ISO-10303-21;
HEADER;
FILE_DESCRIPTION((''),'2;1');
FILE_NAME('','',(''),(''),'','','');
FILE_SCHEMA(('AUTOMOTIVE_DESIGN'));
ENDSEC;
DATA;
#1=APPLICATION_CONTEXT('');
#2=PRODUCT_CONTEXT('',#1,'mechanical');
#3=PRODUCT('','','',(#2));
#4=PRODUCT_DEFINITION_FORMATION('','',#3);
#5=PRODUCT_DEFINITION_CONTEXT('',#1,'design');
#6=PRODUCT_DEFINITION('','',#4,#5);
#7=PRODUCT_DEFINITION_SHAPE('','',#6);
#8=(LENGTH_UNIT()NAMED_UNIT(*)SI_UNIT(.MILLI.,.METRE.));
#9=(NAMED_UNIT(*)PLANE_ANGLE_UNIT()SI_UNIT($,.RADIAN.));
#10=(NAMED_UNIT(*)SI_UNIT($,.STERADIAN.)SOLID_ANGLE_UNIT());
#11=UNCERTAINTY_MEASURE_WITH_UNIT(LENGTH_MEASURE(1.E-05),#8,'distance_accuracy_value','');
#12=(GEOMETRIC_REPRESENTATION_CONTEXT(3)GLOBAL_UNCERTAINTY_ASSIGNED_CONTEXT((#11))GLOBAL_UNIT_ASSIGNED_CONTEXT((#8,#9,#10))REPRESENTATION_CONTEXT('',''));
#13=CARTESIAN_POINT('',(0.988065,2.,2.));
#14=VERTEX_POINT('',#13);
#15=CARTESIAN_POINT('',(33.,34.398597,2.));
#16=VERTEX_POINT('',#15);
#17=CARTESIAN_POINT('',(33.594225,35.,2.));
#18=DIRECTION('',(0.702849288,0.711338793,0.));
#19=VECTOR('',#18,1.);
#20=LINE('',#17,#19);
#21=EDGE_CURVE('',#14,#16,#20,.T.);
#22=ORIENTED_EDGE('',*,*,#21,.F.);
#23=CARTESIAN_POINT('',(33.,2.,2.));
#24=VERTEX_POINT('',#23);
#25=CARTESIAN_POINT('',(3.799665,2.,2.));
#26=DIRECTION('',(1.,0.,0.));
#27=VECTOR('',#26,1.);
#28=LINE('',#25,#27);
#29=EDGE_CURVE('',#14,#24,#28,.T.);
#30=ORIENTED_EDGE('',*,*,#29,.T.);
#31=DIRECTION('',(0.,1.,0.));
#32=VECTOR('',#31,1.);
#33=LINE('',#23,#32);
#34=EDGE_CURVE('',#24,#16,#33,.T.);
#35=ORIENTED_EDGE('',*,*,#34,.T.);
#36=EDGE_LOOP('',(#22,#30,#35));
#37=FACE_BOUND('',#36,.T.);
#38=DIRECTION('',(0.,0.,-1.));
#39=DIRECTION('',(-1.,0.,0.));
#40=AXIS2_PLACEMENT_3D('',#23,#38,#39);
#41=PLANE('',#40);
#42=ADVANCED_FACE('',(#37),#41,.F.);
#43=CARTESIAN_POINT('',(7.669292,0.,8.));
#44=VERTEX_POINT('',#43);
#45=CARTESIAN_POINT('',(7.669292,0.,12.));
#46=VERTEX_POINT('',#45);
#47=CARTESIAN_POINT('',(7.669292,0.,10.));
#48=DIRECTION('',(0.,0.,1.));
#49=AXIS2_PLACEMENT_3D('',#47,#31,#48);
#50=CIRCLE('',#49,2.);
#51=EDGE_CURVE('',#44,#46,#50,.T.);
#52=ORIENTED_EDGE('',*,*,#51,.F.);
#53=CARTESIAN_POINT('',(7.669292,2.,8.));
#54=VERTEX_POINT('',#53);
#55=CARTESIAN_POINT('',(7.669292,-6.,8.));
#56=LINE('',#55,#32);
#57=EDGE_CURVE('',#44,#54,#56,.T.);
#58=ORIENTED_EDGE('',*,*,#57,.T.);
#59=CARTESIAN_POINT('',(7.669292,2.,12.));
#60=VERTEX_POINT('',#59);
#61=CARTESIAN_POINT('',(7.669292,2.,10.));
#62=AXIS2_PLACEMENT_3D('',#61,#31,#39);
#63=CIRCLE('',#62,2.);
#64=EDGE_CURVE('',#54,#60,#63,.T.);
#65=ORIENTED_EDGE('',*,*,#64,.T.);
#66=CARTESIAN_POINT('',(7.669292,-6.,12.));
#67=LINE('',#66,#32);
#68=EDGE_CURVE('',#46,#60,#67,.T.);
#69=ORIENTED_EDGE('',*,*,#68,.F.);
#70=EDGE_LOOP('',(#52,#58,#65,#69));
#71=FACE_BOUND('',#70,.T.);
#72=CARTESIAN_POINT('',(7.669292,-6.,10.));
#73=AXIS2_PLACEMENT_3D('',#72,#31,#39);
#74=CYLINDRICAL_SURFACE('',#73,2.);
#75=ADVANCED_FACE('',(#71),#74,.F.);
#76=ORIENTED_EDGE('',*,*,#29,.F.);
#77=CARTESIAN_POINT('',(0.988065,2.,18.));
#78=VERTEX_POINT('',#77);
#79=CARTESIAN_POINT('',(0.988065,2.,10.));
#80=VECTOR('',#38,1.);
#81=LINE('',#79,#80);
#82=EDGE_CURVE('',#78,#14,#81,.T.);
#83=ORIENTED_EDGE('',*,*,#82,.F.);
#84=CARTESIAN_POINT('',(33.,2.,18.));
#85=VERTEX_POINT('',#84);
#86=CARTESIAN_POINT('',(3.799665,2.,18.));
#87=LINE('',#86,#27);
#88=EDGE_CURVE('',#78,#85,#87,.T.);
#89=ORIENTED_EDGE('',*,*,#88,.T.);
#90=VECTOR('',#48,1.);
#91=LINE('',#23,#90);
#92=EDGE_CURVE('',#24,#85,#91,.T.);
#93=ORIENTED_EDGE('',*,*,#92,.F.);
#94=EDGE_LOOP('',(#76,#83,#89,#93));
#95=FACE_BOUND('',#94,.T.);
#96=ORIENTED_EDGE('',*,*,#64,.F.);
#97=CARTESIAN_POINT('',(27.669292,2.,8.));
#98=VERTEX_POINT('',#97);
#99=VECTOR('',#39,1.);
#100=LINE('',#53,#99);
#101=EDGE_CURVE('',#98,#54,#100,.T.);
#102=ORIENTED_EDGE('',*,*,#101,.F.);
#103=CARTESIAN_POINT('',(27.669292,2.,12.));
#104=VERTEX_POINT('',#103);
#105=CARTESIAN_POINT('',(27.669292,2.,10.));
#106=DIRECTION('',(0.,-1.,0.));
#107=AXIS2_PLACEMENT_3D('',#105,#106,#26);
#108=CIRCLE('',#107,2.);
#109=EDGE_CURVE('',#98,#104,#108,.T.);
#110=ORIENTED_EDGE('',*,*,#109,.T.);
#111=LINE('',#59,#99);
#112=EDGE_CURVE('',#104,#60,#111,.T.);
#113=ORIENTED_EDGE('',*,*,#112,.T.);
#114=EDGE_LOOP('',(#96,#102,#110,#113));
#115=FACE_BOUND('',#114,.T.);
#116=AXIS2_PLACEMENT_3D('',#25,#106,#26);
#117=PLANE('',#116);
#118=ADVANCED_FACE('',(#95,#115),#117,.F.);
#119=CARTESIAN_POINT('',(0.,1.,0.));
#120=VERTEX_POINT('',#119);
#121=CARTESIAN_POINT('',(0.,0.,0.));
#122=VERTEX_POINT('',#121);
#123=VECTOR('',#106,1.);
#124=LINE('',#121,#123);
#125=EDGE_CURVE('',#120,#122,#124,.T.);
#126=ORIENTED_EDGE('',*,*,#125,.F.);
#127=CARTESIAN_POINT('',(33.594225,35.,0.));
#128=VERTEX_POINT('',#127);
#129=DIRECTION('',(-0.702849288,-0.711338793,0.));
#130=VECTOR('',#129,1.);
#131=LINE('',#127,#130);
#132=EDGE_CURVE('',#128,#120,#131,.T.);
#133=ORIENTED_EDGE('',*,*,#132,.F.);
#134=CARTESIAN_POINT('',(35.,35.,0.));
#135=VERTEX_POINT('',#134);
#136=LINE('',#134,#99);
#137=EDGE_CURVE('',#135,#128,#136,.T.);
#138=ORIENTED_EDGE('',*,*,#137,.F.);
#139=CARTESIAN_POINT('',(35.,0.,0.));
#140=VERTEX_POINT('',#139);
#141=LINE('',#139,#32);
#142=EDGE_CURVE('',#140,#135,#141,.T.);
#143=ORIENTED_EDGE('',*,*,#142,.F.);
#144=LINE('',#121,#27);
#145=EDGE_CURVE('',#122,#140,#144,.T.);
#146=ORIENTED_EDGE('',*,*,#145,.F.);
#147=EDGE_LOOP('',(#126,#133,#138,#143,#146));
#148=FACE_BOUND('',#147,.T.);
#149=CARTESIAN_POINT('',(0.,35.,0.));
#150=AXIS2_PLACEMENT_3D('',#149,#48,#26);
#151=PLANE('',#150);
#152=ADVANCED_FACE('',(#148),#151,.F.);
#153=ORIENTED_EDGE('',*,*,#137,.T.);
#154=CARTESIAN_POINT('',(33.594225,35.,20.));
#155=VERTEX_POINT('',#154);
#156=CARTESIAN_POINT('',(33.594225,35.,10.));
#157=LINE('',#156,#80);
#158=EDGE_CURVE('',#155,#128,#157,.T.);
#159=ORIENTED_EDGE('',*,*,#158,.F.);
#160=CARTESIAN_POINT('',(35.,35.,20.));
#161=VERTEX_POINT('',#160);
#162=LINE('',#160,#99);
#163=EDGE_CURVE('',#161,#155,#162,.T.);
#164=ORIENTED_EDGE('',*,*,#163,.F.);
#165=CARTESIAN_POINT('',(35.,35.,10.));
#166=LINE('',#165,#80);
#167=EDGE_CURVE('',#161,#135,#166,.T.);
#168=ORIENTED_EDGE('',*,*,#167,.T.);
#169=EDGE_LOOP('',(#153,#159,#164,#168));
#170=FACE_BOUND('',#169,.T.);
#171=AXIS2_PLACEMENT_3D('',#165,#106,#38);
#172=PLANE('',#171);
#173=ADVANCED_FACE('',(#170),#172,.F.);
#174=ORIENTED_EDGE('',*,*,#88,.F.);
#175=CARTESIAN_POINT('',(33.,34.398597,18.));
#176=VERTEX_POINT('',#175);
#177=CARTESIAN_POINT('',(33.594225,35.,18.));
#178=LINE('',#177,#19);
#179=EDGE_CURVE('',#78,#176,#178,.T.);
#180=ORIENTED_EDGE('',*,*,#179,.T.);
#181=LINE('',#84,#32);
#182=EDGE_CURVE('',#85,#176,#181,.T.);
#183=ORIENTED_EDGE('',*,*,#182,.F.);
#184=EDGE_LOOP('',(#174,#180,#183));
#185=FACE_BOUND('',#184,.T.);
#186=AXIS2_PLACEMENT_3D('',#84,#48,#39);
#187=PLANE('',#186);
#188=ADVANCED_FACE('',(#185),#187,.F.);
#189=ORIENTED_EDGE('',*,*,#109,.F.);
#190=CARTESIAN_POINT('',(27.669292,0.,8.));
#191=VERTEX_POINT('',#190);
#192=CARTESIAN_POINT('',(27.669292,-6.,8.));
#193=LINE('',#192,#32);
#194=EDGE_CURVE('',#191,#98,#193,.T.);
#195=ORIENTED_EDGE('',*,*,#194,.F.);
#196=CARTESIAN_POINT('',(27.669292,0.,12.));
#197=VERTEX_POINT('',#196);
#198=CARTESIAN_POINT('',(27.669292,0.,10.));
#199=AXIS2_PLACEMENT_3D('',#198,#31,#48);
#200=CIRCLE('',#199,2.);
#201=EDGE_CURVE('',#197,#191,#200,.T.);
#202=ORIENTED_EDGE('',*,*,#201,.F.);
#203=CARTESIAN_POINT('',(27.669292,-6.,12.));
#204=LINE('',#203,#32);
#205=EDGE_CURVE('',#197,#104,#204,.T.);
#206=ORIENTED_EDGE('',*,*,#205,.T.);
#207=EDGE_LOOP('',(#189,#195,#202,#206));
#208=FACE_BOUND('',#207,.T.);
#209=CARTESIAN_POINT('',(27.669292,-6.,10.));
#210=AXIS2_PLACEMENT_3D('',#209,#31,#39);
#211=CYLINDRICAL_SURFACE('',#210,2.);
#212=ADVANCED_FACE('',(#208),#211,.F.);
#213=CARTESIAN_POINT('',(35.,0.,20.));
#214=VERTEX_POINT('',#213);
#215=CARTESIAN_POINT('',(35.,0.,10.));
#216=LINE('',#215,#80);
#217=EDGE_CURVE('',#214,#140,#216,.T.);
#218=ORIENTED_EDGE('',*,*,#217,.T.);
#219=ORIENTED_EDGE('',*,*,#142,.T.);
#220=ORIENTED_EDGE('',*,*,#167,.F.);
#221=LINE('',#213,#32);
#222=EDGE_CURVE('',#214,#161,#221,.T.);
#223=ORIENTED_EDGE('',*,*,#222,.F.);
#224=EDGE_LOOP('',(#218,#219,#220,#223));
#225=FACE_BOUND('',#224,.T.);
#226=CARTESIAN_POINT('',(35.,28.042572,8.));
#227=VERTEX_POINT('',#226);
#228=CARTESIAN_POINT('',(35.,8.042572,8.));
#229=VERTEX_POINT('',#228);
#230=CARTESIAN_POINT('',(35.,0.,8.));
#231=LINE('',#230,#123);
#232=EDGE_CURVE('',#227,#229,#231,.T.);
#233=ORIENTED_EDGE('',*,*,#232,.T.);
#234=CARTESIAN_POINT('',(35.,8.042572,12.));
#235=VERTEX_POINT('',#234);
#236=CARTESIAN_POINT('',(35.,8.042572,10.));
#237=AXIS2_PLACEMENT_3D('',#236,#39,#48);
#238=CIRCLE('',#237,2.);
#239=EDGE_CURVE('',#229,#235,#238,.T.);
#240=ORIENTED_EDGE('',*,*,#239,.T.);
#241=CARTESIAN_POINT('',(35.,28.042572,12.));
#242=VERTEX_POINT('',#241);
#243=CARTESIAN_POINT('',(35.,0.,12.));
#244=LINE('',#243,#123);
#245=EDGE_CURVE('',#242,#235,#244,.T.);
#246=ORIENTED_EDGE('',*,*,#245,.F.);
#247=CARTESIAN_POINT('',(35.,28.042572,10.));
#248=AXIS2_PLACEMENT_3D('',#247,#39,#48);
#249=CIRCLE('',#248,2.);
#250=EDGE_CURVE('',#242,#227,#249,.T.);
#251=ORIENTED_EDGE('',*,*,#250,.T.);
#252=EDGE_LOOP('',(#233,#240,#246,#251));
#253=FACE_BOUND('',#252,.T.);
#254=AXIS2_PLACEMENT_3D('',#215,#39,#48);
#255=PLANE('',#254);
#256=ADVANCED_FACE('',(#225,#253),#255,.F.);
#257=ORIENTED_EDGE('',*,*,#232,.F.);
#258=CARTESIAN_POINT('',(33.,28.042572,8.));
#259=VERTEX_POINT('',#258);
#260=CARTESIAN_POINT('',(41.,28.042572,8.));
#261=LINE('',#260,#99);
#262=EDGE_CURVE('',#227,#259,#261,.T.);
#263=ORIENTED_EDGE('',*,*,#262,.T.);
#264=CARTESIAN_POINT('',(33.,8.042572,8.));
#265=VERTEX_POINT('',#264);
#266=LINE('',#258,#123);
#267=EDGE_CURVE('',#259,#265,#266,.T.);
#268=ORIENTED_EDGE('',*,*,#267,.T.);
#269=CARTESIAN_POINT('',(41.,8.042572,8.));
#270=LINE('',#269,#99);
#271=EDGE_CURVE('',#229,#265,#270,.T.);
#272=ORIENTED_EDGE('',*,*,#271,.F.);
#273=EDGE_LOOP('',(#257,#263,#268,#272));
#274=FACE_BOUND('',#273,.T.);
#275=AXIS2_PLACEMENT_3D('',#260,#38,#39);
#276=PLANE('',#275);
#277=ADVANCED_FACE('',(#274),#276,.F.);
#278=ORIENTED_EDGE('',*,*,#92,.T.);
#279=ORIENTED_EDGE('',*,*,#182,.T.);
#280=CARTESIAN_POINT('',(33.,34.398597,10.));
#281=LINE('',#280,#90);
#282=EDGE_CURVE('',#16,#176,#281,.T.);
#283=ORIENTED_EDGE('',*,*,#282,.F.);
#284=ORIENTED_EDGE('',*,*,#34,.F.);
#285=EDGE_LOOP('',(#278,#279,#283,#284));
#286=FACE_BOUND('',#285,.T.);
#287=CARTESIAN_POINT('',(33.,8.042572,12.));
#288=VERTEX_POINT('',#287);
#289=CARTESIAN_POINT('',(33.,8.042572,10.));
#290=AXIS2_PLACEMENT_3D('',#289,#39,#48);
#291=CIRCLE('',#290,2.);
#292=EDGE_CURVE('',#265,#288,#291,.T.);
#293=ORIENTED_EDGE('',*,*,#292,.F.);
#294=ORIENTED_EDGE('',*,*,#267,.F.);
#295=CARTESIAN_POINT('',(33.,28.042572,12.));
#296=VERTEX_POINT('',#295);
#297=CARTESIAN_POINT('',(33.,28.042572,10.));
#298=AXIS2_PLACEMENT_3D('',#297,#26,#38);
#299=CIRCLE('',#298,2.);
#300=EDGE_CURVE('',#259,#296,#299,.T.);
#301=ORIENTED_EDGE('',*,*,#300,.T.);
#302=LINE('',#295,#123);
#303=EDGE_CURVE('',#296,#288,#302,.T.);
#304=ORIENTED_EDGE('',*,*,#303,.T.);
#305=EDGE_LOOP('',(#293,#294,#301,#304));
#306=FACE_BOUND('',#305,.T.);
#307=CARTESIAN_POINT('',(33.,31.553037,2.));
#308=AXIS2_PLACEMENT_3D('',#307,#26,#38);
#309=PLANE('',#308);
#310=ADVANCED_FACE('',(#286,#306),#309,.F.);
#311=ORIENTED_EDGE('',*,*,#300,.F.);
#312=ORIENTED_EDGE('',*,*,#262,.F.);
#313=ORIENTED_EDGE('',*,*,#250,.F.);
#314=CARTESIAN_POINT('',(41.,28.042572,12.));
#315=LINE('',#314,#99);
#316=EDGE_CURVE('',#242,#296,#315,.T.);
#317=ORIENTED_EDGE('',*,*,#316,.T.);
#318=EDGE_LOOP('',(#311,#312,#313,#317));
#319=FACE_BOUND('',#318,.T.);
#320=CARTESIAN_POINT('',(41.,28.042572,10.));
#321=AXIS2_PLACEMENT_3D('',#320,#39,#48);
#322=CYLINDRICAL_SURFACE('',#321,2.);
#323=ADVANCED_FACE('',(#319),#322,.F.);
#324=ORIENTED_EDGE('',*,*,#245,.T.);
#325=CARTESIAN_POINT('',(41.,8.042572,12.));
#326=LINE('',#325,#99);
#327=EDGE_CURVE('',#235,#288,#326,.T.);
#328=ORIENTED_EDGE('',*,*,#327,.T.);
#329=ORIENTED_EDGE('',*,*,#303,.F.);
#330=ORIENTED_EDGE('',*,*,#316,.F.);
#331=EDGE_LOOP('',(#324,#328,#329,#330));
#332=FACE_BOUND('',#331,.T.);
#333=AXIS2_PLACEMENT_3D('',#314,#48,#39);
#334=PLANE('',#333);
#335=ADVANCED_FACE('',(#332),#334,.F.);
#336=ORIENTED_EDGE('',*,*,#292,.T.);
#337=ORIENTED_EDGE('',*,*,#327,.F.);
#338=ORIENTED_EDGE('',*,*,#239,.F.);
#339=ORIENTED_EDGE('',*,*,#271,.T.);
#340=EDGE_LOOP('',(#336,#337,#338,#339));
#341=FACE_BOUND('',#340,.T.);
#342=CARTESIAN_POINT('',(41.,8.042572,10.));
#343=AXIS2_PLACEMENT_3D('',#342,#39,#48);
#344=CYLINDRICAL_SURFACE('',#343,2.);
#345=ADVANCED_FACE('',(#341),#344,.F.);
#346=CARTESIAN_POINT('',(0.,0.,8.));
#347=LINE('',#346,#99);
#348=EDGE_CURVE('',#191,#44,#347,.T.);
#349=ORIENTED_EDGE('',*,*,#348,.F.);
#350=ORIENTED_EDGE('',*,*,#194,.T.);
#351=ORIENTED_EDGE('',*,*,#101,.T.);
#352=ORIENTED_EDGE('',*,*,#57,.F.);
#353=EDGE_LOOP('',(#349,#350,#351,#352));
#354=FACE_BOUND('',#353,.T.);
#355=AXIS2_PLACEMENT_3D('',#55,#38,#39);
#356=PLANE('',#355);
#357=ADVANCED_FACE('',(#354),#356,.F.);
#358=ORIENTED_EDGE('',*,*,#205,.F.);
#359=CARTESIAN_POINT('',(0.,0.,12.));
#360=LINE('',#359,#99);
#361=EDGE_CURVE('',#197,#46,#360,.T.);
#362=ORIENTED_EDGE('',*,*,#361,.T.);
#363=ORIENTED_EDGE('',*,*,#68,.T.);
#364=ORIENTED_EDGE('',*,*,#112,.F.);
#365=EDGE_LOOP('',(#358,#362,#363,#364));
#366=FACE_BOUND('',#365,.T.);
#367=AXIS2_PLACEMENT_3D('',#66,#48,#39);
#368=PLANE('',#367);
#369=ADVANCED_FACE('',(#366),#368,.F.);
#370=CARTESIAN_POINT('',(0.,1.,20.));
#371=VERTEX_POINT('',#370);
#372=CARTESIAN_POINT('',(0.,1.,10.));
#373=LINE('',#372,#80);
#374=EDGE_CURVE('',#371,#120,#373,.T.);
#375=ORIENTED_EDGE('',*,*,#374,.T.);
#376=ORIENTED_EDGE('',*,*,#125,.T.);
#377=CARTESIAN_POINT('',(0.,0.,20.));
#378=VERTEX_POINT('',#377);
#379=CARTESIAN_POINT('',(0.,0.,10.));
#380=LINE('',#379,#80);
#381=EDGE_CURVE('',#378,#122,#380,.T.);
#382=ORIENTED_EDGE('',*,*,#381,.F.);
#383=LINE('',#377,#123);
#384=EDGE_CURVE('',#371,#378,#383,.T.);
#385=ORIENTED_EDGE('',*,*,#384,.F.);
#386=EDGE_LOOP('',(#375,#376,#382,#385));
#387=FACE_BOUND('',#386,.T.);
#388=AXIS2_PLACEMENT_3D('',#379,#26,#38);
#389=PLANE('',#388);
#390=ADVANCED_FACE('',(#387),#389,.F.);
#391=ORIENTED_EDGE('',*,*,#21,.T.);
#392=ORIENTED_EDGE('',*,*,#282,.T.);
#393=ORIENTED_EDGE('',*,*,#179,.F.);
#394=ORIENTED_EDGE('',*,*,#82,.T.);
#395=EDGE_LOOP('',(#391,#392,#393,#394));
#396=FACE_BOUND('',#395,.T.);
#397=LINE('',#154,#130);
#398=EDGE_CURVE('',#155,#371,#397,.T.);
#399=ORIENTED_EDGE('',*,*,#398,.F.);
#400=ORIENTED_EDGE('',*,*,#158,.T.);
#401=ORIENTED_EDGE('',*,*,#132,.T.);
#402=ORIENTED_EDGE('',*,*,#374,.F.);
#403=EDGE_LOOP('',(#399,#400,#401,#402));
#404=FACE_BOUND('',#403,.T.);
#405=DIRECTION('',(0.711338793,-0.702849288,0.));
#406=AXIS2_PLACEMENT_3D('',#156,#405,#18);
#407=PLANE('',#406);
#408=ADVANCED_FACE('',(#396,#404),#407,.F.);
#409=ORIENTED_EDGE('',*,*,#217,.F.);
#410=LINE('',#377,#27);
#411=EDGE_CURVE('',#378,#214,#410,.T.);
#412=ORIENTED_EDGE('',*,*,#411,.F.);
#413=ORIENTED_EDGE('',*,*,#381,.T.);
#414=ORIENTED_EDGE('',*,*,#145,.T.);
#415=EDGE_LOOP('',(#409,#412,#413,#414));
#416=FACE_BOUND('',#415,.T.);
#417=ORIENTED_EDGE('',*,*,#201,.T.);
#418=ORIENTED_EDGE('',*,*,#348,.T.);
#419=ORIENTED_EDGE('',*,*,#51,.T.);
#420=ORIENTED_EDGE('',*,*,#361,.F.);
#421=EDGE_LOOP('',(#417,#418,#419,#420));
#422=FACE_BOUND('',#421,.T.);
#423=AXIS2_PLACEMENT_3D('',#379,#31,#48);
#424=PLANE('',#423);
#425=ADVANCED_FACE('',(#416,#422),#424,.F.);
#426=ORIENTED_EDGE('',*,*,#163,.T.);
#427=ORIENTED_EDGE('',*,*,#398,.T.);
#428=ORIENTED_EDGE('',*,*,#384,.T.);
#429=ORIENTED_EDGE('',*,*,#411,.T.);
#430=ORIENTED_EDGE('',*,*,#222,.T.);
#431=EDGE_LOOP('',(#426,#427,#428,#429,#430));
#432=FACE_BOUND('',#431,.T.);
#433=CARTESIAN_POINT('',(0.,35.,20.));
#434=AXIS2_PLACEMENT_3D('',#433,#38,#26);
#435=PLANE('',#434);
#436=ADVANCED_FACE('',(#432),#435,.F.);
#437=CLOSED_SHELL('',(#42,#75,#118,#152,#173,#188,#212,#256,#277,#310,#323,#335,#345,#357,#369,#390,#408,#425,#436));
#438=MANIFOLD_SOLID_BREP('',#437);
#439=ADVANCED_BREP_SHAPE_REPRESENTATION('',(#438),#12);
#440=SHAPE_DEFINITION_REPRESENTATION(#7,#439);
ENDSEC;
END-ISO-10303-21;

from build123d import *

# Parameters (mm, degrees)
EXTRUDE_3_DEPTH     = 10
CUT_EXTRUDE_2_DEPTH = 8
CUT_EXTRUDE_4_DEPTH = 8
CUT_EXTRUDE_5_DEPTH = 8


with BuildPart() as part:
    # 草图1 → 凸台-拉伸3 (new body)
    with BuildSketch(Plane.XY):
        Polygon((0, 0), (35, 0), (35, 35), (33.594225436, 35), (0, 1), align=None)
    extrude(amount=EXTRUDE_3_DEPTH)

    # 草图4 → 切除-拉伸2 (cut)
    with BuildSketch(Plane.XY.offset(10)):
        Polygon((3.799665242, 2), (33, 2), (33, 31.553036836), (33, 35.783784072), (-1.057608141, 2), align=None)
    extrude(amount=-CUT_EXTRUDE_2_DEPTH, mode=Mode.SUBTRACT)

    # 草图7 → 切除-拉伸4 (cut)
    with BuildSketch(Plane(origin=(0, 2, 0), x_dir=(1, 0, 0), z_dir=(0, 1, 0))):
        with BuildLine():
            Line((7.669292291, -8), (27.669292291, -8))
            ThreePointArc((27.669292291, -8), (29.669292291, -10), (27.669292291, -12))
            Line((27.669292291, -12), (7.669292291, -12))
            ThreePointArc((7.669292291, -12), (5.669292291, -10), (7.669292291, -8))
        make_face()
    extrude(amount=-CUT_EXTRUDE_4_DEPTH, mode=Mode.SUBTRACT)

    # 草图8 → 切除-拉伸5 (cut)
    with BuildSketch(Plane.ZY.offset(-33)):
        with BuildLine():
            Line((12, 28.042571575), (12, 8.042571575))
            ThreePointArc((12, 8.042571575), (10, 6.042571575), (8, 8.042571575))
            Line((8, 8.042571575), (8, 28.042571575))
            ThreePointArc((8, 28.042571575), (10, 30.042571575), (12, 28.042571575))
        make_face()
    extrude(amount=-CUT_EXTRUDE_5_DEPTH, mode=Mode.SUBTRACT)

    # 镜向3: part across plane


with BuildPart() as part_1:
    add(part.part)
    add(part.part.mirror(Plane(origin=(0, 35, 10), x_dir=(1, 0, 0), z_dir=(0, 0, 1))))


solid = part_1.part
